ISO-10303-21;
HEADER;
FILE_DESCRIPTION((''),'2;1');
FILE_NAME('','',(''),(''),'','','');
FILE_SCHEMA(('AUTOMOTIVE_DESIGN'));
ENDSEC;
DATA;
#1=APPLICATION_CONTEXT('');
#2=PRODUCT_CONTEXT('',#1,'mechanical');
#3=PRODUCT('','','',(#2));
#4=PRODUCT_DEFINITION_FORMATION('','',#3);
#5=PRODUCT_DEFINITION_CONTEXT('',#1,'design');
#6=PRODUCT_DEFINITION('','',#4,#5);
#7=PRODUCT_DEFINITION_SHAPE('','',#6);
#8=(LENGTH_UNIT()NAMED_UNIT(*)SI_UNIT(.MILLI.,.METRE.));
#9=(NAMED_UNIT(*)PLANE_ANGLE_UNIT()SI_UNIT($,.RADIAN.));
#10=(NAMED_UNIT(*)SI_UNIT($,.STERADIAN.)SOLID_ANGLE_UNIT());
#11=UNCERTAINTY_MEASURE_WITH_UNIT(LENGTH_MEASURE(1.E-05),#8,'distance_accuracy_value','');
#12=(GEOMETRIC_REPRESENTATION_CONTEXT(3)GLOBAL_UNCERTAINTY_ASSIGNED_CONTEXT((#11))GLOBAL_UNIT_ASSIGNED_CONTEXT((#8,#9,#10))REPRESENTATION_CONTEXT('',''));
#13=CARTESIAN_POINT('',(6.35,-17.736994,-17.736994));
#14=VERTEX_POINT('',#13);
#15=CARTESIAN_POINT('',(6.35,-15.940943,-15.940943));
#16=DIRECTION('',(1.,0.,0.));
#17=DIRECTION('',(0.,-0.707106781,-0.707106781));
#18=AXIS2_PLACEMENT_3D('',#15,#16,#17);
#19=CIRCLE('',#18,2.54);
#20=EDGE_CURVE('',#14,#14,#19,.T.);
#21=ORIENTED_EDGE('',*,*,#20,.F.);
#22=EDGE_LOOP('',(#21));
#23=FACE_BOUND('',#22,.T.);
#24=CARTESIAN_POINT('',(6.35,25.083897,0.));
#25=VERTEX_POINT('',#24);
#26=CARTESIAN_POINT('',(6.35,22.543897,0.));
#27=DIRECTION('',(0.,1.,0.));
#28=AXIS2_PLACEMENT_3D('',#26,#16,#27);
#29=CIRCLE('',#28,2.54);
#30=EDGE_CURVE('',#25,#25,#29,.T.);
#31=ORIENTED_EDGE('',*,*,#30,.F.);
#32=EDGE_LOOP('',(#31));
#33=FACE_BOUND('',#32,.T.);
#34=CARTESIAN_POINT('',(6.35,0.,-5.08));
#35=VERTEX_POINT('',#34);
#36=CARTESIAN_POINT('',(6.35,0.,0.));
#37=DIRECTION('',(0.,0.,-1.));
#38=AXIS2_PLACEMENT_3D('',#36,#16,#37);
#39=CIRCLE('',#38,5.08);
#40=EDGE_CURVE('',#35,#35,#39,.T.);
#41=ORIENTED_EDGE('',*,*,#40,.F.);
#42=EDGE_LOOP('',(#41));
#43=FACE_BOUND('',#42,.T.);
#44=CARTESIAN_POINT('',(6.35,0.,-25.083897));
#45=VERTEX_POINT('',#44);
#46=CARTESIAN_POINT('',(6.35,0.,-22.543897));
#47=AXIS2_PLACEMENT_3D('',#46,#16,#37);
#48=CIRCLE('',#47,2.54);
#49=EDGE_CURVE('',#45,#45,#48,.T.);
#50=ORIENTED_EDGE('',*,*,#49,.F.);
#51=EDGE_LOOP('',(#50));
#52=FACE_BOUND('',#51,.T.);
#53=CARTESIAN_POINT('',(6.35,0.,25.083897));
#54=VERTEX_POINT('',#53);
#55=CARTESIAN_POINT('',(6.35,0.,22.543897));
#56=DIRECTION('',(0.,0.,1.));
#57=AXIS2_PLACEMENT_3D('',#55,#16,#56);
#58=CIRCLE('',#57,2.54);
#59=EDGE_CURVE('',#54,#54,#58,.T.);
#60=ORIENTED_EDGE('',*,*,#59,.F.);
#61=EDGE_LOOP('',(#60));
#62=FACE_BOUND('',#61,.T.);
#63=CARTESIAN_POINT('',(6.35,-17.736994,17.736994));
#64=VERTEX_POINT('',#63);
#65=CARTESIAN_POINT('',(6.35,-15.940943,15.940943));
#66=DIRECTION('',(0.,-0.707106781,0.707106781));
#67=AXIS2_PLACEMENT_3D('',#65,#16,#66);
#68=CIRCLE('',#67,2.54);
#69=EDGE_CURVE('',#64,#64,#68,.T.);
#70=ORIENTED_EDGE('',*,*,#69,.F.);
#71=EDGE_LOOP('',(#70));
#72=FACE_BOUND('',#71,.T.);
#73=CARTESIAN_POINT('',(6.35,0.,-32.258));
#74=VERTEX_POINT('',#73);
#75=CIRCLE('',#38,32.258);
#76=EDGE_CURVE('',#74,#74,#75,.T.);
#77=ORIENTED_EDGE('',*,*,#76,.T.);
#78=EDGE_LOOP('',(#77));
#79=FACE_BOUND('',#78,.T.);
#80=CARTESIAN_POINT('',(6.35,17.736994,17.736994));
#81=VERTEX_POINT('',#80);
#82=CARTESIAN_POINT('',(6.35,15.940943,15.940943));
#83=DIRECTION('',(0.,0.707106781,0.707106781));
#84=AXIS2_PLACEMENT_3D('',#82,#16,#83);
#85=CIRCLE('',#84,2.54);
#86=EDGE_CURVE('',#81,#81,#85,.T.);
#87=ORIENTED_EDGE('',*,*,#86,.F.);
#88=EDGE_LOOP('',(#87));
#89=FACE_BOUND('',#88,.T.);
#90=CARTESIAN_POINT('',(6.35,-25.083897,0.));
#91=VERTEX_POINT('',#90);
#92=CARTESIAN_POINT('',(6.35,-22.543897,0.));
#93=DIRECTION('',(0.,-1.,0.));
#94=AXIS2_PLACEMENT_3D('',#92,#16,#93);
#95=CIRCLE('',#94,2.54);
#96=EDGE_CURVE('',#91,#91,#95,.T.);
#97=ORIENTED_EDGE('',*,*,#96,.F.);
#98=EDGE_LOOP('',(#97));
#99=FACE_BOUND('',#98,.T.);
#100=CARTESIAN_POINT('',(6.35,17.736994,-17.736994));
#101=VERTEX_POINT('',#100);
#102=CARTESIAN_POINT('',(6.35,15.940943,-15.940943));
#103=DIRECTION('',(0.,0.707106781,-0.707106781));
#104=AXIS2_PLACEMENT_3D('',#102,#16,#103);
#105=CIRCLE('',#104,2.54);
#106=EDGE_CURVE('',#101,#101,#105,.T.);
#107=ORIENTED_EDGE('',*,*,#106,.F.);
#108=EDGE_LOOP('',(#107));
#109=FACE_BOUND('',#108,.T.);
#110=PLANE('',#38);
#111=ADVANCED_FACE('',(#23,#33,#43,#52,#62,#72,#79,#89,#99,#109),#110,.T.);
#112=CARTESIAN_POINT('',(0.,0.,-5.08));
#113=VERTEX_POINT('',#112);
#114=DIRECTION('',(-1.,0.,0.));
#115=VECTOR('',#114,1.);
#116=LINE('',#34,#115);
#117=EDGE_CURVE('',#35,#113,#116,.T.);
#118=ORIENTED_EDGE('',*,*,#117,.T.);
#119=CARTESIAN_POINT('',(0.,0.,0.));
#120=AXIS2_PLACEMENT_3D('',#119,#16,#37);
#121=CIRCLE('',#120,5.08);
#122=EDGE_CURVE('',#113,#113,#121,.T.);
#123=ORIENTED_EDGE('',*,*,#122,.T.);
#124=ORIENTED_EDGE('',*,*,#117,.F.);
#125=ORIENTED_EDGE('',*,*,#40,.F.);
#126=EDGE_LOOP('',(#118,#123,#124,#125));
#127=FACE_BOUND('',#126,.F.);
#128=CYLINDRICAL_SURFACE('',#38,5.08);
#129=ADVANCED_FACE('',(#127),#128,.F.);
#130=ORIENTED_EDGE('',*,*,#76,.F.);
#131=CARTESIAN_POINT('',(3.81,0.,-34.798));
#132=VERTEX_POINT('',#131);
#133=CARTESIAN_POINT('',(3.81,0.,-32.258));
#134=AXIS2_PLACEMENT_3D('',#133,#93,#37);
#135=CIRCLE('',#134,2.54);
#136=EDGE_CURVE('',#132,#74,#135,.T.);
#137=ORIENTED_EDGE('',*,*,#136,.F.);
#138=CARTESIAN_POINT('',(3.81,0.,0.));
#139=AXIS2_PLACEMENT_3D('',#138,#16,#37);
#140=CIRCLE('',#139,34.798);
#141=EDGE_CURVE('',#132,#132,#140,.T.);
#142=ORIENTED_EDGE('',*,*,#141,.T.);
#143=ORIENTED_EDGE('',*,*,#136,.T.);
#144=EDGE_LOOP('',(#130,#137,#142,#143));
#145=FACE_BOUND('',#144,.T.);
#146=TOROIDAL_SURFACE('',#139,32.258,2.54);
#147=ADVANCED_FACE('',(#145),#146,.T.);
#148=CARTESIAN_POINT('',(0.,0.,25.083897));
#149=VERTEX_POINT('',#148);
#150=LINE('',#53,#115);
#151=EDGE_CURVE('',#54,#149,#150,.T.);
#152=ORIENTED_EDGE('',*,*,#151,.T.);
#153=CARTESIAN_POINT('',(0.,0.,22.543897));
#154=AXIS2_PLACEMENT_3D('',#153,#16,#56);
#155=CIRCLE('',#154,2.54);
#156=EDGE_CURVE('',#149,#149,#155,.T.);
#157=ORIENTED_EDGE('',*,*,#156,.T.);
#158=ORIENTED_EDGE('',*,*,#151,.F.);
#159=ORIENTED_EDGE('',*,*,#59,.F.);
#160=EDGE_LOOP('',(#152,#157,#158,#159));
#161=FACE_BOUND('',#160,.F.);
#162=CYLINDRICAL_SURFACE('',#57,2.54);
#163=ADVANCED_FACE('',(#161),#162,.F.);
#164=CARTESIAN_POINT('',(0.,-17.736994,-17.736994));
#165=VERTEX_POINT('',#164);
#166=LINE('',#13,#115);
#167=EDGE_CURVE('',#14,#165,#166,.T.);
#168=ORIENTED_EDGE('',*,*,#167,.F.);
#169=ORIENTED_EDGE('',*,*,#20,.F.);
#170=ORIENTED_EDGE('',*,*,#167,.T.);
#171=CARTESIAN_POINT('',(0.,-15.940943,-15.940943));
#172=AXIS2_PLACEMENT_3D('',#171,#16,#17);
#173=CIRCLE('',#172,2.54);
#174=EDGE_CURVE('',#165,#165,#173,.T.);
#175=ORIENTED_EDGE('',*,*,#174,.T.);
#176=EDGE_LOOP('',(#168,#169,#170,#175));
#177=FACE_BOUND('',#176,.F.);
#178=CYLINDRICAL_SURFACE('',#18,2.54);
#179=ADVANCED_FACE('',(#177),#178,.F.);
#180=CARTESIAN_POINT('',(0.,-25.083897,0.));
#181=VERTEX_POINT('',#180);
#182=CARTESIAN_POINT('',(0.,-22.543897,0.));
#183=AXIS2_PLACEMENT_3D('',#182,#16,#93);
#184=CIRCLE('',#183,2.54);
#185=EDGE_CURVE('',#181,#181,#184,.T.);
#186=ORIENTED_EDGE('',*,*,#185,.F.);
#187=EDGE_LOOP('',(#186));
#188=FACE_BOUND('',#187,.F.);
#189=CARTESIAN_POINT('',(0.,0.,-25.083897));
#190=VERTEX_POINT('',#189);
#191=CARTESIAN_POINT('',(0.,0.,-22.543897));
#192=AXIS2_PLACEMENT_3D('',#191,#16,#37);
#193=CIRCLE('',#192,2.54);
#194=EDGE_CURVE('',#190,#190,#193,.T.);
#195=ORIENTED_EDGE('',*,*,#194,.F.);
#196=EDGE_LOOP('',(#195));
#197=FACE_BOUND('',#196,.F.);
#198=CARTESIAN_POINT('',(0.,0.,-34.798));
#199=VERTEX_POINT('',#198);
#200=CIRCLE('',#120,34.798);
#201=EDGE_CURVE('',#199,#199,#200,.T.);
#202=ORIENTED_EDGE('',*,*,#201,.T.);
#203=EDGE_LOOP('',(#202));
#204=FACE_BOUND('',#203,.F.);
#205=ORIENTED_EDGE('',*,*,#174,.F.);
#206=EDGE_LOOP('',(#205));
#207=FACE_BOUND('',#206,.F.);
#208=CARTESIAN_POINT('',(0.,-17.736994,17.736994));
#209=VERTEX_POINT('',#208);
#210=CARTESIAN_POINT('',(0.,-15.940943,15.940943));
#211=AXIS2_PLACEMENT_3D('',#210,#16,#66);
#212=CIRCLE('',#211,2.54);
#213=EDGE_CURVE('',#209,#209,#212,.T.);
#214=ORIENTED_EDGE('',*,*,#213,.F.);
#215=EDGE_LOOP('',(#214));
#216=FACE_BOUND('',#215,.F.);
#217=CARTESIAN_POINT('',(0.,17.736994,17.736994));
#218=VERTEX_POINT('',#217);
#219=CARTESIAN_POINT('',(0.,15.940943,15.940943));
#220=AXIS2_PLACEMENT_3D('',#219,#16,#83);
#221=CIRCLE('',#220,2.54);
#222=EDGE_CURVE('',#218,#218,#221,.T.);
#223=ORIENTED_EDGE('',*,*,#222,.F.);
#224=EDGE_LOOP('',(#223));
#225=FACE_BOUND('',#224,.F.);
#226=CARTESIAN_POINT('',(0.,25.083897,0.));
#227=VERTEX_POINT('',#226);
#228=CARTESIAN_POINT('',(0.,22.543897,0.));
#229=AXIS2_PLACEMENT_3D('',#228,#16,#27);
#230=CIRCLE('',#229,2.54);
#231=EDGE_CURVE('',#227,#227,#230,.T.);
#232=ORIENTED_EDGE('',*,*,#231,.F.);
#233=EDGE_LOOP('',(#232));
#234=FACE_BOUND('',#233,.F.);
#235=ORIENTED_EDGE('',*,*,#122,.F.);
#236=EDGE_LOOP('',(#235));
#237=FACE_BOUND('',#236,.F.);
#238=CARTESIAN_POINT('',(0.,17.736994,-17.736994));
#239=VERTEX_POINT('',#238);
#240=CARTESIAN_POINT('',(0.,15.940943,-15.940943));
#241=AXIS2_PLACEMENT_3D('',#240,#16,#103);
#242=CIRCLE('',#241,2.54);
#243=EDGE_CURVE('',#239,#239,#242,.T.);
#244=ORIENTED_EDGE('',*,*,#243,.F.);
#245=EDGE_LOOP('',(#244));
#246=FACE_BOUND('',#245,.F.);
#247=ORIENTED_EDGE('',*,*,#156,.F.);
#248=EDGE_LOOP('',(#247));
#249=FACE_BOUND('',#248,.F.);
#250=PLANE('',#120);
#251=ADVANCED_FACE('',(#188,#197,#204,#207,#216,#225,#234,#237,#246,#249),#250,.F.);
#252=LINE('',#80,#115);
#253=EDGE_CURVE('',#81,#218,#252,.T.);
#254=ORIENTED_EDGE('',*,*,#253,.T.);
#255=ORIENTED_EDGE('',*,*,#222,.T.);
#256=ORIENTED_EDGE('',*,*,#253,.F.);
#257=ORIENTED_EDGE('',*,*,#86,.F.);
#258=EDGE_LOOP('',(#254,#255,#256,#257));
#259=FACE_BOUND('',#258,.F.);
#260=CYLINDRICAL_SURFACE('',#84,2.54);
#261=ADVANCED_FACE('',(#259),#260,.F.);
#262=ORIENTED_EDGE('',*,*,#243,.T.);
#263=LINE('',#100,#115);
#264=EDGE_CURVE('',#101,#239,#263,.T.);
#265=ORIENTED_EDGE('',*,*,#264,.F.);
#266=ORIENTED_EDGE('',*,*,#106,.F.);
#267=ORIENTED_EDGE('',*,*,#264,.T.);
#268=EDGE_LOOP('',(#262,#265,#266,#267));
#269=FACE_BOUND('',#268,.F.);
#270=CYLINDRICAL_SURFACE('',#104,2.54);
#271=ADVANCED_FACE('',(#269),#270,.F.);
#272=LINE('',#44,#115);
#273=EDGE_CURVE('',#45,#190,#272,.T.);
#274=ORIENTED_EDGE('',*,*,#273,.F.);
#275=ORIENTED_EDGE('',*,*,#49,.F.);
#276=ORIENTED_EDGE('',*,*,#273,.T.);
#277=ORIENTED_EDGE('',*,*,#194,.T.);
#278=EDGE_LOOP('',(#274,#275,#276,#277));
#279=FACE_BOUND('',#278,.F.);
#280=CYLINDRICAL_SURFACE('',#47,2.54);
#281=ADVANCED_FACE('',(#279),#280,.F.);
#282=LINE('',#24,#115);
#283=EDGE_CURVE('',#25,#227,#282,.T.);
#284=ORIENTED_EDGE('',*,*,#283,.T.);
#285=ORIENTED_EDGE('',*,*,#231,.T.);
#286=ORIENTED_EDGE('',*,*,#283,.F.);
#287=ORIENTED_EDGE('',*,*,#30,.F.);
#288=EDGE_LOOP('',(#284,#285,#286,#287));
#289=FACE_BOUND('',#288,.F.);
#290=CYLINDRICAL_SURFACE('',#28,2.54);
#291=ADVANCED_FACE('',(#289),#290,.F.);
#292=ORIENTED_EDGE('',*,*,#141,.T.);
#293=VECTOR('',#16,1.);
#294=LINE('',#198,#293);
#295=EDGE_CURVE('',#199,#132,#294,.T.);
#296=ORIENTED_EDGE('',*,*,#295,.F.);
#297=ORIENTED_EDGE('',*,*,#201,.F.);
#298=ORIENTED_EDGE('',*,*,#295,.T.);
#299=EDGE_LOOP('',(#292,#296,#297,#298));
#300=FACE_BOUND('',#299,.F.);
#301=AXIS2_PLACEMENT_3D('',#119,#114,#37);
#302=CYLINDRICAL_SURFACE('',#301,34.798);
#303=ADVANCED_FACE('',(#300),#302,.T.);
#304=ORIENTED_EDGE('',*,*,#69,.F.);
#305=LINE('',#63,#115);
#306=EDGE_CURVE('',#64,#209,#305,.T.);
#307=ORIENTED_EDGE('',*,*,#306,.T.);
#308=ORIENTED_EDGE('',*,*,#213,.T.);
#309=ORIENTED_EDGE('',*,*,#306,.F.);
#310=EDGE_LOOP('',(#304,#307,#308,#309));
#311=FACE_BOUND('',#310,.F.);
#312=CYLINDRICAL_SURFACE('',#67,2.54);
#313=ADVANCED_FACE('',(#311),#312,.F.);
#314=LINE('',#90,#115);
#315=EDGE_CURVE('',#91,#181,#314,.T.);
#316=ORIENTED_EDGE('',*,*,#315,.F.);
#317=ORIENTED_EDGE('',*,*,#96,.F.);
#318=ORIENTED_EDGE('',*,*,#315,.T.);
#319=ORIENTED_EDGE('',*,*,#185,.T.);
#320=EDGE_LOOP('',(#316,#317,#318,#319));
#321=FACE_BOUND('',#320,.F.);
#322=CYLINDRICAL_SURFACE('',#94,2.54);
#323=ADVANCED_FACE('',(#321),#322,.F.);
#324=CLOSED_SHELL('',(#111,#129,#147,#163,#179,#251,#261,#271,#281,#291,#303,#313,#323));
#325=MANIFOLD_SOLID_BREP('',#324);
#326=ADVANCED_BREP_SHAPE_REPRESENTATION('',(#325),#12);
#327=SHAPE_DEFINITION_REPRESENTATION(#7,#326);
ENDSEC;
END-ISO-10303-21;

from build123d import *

# Parameters (mm, degrees)
SKETCH1_R           = 34.798
BOSS_EXTRUDE1_DEPTH = 6.35
FILLET1_R           = 2.54
SKETCH2_R           = 5.08
CUT_EXTRUDE1_DEPTH  = 6.35
SKETCH3_R           = 2.54
CUT_EXTRUDE2_DEPTH  = 19.05
CIRPATTERN1_COUNT   = 8


with BuildPart() as part:
    # Sketch1 → Boss-Extrude1 (new body)
    with BuildSketch(Plane(origin=(0, 0, 0), x_dir=(0, 0, -1), z_dir=(1, 0, 0))):
        Circle(SKETCH1_R)
    extrude(amount=BOSS_EXTRUDE1_DEPTH)

    # Fillet1
    fillet1_edges = [part.edges().sort_by_distance(p)[0] for p in [
        (6.35, 0, 34.798),
    ]]
    fillet(fillet1_edges, radius=FILLET1_R)

    # Sketch2 → Cut-Extrude1 (cut)
    with BuildSketch(Plane(origin=(6.35, 0, 0), x_dir=(0, 0, -1), z_dir=(1, 0, 0))):
        Circle(SKETCH2_R)
    extrude(amount=-CUT_EXTRUDE1_DEPTH, mode=Mode.SUBTRACT)

    # Sketch3 → Cut-Extrude2 (cut)
    with BuildSketch(Plane(origin=(6.35, 0, 0), x_dir=(0, 0, -1), z_dir=(1, 0, 0))):
        with Locations((22.543897228, 0)):
            Circle(SKETCH3_R)
    cut_extrude2 = extrude(amount=-CUT_EXTRUDE2_DEPTH, mode=Mode.SUBTRACT)

    # CirPattern1: Cut-Extrude2 ×8 about axis
    cirpattern1_axis = Axis((0, 0, 0), (1, 0, 0))
    for i in range(1, CIRPATTERN1_COUNT):
        add(cut_extrude2.rotate(cirpattern1_axis, i * 360 / CIRPATTERN1_COUNT), mode=Mode.SUBTRACT)


solid = part.part
